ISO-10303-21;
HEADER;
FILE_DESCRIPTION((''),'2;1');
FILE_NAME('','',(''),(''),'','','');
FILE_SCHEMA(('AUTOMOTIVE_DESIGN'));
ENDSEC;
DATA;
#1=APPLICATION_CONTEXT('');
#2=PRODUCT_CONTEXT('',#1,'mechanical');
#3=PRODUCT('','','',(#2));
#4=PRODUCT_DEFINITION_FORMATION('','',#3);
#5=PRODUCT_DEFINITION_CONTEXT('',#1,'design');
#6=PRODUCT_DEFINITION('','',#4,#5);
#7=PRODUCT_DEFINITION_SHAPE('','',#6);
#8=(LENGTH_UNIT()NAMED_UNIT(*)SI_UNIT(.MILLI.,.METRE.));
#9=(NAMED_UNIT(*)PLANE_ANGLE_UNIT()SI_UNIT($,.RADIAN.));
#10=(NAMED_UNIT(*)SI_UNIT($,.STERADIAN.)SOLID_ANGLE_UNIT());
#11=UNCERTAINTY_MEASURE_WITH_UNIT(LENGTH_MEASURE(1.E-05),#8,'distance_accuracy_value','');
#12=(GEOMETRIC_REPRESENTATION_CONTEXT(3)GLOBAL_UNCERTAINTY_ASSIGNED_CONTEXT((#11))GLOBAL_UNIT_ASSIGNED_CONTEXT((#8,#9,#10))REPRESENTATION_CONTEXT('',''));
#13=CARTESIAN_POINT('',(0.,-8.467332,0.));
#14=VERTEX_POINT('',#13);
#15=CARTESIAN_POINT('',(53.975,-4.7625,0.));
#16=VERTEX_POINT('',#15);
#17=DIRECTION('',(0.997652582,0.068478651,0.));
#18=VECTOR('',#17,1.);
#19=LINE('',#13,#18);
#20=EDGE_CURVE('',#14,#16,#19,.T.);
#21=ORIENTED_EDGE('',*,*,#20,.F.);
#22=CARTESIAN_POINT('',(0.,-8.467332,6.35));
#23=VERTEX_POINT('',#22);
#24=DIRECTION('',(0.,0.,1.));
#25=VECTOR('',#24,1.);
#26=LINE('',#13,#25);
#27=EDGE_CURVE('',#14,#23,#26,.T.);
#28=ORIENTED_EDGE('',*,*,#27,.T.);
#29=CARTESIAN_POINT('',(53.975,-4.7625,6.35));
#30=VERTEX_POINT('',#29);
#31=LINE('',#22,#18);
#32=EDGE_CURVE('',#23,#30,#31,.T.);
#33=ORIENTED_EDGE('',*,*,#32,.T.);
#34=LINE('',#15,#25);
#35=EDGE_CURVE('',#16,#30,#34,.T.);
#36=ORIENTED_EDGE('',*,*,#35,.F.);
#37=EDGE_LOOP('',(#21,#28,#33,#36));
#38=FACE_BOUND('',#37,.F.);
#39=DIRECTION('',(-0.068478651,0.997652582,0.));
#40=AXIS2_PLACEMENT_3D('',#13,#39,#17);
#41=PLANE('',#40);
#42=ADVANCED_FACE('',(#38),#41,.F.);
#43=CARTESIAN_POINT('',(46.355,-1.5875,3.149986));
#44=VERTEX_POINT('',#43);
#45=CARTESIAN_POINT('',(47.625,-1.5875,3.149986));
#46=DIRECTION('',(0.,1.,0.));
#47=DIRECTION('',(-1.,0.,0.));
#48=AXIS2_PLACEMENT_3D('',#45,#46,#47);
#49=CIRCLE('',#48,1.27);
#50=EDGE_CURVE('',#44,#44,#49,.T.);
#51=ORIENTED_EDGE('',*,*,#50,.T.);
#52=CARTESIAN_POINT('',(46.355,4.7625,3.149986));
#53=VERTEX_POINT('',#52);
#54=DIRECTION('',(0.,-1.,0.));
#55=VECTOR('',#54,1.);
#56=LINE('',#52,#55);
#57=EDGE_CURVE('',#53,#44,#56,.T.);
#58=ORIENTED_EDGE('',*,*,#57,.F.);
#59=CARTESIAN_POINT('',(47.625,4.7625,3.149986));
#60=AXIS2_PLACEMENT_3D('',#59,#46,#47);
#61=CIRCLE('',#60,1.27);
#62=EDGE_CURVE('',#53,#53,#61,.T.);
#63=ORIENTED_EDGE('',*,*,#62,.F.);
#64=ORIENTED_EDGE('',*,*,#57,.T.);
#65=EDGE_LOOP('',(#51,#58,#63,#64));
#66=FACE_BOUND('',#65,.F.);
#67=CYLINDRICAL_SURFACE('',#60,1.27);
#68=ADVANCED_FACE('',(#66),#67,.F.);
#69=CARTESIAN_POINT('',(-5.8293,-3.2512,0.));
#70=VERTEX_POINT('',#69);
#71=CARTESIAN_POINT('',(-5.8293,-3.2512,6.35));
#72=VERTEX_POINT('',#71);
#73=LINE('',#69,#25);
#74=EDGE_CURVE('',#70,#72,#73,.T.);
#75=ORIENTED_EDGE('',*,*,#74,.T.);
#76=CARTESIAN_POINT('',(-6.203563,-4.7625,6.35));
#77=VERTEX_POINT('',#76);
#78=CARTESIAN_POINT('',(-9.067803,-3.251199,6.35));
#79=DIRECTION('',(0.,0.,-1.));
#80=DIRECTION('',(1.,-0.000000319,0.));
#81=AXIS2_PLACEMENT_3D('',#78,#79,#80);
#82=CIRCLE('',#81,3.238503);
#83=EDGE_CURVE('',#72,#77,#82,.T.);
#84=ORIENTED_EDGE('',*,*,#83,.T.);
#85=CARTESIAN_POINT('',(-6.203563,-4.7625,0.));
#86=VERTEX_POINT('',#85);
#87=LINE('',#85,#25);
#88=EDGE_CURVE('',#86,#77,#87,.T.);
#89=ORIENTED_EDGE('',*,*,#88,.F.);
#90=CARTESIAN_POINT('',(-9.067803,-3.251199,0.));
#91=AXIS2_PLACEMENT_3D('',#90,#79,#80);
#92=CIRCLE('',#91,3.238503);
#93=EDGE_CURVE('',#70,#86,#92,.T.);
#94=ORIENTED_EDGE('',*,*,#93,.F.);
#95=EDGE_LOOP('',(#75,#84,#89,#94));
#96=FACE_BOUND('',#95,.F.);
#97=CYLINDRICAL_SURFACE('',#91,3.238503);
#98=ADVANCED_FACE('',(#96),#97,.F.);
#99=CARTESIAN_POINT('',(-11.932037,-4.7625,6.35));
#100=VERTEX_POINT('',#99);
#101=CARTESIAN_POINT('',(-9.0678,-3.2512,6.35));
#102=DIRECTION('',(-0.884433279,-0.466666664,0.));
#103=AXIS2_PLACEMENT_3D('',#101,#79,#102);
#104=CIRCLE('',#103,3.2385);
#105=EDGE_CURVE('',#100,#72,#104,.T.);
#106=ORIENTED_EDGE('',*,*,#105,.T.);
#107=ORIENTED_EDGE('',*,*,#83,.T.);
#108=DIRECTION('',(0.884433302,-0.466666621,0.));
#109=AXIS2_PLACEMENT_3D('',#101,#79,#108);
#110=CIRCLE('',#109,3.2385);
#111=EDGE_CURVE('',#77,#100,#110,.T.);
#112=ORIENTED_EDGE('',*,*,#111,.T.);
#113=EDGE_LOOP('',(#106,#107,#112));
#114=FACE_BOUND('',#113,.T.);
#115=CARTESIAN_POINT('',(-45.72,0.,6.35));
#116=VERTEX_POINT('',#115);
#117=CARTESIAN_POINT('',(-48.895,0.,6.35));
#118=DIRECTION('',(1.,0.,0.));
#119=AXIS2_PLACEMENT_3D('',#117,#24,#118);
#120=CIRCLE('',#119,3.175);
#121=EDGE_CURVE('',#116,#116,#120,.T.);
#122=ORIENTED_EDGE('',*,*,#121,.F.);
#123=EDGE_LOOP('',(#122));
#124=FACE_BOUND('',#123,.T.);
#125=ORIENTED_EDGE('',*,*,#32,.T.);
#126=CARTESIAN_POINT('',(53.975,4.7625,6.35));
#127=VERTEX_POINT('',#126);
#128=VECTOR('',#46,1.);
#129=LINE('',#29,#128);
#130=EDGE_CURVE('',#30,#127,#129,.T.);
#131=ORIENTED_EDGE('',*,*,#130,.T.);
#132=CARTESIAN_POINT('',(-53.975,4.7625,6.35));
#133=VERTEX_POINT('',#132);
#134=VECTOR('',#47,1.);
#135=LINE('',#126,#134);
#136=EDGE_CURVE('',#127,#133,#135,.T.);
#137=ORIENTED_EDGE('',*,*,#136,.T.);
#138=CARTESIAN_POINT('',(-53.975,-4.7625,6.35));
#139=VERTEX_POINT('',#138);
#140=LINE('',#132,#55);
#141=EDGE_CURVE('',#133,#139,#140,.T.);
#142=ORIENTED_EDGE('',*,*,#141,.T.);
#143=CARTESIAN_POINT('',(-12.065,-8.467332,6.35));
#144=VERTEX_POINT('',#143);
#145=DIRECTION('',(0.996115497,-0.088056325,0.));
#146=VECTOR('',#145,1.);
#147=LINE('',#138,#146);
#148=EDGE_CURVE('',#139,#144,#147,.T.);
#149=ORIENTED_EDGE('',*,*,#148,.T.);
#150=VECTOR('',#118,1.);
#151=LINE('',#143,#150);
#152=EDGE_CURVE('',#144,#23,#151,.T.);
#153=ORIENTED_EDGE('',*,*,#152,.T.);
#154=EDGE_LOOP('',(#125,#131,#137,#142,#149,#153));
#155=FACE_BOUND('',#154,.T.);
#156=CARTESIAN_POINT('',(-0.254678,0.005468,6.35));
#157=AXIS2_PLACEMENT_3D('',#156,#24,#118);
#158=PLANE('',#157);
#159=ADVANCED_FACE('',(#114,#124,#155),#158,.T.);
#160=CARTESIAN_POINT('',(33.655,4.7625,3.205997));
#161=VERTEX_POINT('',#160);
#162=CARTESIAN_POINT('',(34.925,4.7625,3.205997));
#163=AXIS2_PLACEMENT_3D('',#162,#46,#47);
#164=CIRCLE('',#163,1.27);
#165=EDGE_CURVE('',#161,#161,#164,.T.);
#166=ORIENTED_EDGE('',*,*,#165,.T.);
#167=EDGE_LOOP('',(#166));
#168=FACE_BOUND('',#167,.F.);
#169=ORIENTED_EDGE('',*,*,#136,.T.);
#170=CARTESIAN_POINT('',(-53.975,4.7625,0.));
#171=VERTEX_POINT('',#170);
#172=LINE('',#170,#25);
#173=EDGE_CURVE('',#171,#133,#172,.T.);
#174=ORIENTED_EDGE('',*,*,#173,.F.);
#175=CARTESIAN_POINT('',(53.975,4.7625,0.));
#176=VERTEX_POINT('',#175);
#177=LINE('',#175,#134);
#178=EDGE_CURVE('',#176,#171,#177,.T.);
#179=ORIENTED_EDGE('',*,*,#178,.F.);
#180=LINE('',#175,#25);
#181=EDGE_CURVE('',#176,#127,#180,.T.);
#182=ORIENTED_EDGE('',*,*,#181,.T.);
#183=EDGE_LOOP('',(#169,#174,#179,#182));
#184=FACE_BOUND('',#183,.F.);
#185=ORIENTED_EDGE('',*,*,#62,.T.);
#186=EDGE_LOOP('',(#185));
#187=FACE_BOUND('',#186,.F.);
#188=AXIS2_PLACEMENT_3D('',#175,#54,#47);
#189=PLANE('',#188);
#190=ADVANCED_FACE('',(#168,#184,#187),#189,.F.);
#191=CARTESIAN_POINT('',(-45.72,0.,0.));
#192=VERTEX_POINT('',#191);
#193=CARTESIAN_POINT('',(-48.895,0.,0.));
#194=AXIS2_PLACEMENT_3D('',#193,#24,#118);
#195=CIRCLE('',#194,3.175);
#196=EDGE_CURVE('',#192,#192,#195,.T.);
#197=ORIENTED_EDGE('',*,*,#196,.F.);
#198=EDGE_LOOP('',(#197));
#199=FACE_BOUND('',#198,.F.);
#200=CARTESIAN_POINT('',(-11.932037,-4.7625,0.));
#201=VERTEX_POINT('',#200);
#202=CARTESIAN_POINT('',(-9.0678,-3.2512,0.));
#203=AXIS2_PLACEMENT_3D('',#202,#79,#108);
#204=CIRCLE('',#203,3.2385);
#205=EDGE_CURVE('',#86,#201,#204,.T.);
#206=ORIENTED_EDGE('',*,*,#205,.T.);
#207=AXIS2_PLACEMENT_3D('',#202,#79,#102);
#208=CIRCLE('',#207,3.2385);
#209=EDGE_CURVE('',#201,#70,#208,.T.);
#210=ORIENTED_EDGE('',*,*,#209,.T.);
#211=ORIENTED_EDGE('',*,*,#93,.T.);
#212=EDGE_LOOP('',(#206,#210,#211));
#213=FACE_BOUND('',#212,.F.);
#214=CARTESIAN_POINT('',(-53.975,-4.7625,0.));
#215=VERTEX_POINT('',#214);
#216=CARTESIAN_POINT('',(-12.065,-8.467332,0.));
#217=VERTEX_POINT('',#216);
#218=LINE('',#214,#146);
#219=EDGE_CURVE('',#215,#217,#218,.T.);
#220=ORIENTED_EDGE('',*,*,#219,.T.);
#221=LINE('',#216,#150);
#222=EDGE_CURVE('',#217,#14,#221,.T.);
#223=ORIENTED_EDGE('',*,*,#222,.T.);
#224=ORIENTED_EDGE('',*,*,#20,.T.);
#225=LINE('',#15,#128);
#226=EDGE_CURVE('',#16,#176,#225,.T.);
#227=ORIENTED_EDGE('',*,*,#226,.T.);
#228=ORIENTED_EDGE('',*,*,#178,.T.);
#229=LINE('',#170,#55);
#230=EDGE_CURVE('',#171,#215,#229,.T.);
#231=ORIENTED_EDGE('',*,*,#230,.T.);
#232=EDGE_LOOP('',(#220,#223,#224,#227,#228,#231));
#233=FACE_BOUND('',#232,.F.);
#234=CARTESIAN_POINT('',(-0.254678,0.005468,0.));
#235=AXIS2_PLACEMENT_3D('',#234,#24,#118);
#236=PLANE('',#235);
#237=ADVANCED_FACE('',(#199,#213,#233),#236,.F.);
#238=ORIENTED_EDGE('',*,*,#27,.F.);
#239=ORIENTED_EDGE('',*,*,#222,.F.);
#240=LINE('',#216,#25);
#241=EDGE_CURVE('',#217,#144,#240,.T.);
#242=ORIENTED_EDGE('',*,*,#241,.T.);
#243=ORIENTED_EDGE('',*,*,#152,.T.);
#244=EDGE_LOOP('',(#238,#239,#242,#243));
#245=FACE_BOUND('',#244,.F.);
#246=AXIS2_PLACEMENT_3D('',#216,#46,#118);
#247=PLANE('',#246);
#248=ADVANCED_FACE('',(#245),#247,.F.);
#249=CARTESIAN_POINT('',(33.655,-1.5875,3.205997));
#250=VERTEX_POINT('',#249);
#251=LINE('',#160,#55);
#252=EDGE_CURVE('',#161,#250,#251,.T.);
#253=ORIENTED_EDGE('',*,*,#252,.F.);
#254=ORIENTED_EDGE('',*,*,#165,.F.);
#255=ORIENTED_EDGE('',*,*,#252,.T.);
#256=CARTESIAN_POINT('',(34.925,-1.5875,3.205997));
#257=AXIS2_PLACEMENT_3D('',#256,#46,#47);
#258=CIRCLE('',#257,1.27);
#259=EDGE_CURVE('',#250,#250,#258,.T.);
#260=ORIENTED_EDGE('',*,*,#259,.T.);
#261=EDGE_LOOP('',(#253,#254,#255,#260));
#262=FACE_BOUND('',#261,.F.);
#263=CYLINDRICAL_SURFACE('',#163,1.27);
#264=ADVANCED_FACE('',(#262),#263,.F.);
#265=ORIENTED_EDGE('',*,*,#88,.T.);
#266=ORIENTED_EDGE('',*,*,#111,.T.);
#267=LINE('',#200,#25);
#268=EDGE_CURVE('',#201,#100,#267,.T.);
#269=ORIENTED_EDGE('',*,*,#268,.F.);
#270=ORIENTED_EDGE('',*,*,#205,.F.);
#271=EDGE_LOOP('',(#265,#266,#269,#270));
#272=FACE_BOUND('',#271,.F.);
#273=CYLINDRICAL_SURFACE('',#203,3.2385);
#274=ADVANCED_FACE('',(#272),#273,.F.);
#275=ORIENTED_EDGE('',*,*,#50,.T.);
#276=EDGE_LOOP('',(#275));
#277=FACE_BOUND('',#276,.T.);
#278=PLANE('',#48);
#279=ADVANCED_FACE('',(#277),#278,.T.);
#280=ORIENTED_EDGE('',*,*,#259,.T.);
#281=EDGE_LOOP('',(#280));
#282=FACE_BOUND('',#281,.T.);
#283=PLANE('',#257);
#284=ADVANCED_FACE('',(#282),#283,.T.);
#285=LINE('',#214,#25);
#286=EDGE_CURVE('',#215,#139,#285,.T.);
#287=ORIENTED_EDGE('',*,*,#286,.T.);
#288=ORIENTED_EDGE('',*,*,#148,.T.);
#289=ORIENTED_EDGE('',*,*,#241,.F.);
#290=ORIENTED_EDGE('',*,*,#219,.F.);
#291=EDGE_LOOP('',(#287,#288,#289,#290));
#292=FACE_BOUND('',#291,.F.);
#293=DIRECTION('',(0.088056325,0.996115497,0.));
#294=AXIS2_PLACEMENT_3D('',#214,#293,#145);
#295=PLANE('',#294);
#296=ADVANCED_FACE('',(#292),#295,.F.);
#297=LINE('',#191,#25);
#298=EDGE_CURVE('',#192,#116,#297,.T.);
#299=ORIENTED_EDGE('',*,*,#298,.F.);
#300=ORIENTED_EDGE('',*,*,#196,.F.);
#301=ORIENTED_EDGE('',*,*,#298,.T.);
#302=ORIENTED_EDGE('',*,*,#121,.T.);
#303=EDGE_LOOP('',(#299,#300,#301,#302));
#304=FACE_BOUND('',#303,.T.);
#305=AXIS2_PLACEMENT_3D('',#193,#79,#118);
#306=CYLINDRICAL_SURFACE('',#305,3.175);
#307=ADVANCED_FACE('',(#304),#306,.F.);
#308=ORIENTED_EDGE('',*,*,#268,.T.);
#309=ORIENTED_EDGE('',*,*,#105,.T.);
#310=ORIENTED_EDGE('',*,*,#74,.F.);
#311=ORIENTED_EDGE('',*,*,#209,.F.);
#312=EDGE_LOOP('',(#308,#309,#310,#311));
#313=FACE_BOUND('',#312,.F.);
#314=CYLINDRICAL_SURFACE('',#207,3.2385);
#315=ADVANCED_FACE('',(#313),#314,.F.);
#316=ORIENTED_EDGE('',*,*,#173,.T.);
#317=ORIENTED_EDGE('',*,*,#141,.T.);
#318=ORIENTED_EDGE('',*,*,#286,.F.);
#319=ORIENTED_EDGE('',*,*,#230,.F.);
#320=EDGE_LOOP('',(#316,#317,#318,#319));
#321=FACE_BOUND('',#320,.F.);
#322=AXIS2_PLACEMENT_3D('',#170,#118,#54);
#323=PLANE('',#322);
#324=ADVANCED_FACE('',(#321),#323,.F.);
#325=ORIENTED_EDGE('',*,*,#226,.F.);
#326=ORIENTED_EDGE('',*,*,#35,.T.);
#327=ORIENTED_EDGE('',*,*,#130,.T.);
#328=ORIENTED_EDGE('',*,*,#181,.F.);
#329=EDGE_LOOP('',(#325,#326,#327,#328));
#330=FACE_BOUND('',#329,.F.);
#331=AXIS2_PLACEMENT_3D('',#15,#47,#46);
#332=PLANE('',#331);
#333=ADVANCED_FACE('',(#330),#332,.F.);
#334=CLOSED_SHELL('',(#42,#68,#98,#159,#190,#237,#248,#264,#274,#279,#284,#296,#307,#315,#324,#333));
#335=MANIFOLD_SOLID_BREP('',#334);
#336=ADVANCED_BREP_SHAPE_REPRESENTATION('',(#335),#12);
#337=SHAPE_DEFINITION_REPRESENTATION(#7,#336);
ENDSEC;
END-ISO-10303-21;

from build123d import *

# Parameters (mm, degrees)
F0_R     = 3.175
F1_DEPTH = 6.35
F2_R     = 1.27
F3_DEPTH = 6.35


with BuildPart() as f1:
    # F0 (on Top) → F1 (new body)
    with BuildSketch(Plane.XY):
        with BuildLine():
            Line((53.975, -4.7625), (53.975, 4.7625))
            Line((53.975, 4.7625), (-53.975, 4.7625))
            Line((-53.975, 4.7625), (-53.975, -4.7625))
            Line((-53.975, -4.7625), (-11.932037, -4.7625))
            ThreePointArc((-11.932037, -4.7625), (-9.846276, -0.107658), (-5.8293, -3.2512))
            ThreePointArc((-5.8293, -3.2512), (-5.924258, -4.029676), (-6.203563, -4.7625))
            Line((-6.203563, -4.7625), (53.975, -4.7625))
        make_face()
        with Locations((-48.895, 0)):
            Circle(F0_R, mode=Mode.SUBTRACT)
        with BuildLine():
            Line((0, -8.467332), (53.975, -4.7625))
            Line((53.975, -4.7625), (-6.203563, -4.7625))
            ThreePointArc((-6.203563, -4.7625), (-9.0678, -6.4897), (-11.932037, -4.7625))
            Line((-11.932037, -4.7625), (-53.975, -4.7625))
            Line((-53.975, -4.7625), (-12.065, -8.467332))
            Line((-12.065, -8.467332), (0, -8.467332))
        make_face()
    extrude(amount=F1_DEPTH)

    # F2 (on face) → F3 (cut)
    with BuildSketch(Plane(origin=(0, 4.7625, 0), x_dir=(-1, 0, 0), z_dir=(0, 1, 0))):
        with Locations((-47.625, 3.149986)):
            Circle(F2_R)
        with Locations((-34.925, 3.205997)):
            Circle(F2_R)
    extrude(amount=-F3_DEPTH, mode=Mode.SUBTRACT)


solid = f1.part
